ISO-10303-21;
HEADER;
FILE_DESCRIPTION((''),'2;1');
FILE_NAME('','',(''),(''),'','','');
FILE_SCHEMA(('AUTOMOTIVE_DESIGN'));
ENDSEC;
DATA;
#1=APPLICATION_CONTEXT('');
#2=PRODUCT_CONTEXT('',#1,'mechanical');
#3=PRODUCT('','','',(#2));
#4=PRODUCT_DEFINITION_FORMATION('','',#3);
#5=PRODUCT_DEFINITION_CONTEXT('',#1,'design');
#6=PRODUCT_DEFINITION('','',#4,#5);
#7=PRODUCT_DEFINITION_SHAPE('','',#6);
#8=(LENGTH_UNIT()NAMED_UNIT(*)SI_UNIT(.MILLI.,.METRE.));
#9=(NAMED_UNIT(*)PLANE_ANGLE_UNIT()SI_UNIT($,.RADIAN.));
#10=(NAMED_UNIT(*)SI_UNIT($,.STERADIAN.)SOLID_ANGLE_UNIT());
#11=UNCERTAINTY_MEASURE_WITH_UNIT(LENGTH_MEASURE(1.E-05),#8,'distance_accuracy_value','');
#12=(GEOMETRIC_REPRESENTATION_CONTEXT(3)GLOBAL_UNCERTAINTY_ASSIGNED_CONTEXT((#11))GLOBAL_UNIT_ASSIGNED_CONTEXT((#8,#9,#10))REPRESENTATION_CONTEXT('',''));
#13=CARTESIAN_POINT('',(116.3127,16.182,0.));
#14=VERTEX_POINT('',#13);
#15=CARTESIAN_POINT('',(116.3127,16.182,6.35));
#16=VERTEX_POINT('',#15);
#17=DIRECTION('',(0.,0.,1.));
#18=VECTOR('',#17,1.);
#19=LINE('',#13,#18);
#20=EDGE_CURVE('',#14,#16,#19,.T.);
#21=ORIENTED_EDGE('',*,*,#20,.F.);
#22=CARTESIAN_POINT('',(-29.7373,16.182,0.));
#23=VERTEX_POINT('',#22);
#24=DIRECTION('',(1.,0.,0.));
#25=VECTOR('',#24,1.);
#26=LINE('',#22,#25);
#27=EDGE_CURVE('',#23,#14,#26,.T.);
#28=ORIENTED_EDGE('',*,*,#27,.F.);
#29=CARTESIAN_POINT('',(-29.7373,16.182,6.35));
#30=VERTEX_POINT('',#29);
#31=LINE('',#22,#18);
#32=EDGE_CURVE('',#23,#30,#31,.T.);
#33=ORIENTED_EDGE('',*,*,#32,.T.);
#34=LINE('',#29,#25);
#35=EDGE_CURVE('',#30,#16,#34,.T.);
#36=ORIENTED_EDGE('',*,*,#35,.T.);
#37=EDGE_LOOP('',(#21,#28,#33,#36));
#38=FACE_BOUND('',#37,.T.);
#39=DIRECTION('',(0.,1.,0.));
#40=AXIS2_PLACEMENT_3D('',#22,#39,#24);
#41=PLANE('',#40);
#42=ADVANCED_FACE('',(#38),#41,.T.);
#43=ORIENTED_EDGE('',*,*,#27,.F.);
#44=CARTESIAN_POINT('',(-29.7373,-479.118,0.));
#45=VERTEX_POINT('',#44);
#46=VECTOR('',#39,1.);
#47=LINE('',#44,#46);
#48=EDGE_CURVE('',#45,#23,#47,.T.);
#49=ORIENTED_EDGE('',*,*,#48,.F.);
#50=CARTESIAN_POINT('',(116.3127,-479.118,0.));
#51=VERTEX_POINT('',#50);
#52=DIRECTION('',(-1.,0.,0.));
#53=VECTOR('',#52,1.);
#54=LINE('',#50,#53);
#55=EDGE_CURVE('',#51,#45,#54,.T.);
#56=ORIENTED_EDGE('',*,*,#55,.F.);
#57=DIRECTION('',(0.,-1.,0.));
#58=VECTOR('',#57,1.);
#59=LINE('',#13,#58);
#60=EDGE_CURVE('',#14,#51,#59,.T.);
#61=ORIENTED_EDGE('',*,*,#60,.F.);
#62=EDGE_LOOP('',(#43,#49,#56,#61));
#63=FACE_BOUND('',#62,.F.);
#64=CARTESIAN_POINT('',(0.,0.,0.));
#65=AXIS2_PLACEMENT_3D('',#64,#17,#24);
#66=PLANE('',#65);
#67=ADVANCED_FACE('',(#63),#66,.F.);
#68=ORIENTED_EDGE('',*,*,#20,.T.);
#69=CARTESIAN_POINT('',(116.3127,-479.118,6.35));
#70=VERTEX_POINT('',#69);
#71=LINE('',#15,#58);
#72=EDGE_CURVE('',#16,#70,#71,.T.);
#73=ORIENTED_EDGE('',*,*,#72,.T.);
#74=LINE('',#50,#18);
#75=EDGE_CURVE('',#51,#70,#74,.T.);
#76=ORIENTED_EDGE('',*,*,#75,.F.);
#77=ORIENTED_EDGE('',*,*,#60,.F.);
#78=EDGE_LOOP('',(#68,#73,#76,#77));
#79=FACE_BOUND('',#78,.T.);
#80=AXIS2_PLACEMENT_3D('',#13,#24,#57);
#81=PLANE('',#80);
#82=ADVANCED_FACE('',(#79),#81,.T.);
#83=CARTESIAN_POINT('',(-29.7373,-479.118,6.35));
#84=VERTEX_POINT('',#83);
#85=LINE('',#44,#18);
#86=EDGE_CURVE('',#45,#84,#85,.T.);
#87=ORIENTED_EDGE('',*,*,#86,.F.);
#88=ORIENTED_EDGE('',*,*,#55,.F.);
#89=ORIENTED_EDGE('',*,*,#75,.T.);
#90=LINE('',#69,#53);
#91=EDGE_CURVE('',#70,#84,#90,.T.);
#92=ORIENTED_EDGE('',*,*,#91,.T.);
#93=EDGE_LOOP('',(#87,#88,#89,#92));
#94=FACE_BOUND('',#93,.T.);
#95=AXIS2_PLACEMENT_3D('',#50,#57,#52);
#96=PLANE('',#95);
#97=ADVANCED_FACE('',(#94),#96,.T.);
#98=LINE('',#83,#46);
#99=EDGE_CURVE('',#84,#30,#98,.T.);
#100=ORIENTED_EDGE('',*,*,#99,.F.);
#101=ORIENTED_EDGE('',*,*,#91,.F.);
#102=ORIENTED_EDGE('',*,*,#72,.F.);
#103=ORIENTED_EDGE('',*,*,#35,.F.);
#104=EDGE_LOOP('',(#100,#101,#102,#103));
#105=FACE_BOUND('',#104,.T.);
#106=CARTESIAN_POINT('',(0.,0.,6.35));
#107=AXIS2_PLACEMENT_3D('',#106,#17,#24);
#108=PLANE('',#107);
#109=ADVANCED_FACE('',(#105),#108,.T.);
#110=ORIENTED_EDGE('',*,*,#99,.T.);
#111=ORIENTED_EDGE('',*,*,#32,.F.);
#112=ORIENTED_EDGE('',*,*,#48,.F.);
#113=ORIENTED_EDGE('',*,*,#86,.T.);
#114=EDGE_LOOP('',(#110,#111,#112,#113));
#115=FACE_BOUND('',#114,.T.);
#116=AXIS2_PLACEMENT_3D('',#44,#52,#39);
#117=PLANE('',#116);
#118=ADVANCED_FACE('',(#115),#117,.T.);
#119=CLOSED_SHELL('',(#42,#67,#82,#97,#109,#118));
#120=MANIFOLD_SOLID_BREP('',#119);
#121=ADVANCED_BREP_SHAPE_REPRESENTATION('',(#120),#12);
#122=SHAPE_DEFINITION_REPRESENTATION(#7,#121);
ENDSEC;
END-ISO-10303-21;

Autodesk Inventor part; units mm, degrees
ref_plane "YZ Plane" through (0, 0, 0) normal (1, 0, 0) x (0, 1, 0)
ref_plane "XZ Plane" through (0, 0, 0) normal (0, 1, 0) x (-1, 0, 0)
ref_plane "XY Plane" through (0, 0, 0) normal (0, 0, 1) x (1, 0, 0)
sketch "Sketch1" plane through (0, 0, 0) normal (0, 0, 1) x (1, 0, 0)
  line L0 (-29.7373, 16.182) -> (116.3127, 16.182)
  line L1 (116.3127, 16.182) -> (116.3127, -479.118)
  line L2 (116.3127, -479.118) -> (-29.7373, -479.118)
  line L3 (-29.7373, -479.118) -> (-29.7373, 16.182)
  point P0 (0, 0)
  dimension "d0" = 146.05
  dimension "d1" = 495.3
extrude "Extrusion1" add sketch "Sketch1" along normal blind 6.35
properties part number "middlehorizotal"
